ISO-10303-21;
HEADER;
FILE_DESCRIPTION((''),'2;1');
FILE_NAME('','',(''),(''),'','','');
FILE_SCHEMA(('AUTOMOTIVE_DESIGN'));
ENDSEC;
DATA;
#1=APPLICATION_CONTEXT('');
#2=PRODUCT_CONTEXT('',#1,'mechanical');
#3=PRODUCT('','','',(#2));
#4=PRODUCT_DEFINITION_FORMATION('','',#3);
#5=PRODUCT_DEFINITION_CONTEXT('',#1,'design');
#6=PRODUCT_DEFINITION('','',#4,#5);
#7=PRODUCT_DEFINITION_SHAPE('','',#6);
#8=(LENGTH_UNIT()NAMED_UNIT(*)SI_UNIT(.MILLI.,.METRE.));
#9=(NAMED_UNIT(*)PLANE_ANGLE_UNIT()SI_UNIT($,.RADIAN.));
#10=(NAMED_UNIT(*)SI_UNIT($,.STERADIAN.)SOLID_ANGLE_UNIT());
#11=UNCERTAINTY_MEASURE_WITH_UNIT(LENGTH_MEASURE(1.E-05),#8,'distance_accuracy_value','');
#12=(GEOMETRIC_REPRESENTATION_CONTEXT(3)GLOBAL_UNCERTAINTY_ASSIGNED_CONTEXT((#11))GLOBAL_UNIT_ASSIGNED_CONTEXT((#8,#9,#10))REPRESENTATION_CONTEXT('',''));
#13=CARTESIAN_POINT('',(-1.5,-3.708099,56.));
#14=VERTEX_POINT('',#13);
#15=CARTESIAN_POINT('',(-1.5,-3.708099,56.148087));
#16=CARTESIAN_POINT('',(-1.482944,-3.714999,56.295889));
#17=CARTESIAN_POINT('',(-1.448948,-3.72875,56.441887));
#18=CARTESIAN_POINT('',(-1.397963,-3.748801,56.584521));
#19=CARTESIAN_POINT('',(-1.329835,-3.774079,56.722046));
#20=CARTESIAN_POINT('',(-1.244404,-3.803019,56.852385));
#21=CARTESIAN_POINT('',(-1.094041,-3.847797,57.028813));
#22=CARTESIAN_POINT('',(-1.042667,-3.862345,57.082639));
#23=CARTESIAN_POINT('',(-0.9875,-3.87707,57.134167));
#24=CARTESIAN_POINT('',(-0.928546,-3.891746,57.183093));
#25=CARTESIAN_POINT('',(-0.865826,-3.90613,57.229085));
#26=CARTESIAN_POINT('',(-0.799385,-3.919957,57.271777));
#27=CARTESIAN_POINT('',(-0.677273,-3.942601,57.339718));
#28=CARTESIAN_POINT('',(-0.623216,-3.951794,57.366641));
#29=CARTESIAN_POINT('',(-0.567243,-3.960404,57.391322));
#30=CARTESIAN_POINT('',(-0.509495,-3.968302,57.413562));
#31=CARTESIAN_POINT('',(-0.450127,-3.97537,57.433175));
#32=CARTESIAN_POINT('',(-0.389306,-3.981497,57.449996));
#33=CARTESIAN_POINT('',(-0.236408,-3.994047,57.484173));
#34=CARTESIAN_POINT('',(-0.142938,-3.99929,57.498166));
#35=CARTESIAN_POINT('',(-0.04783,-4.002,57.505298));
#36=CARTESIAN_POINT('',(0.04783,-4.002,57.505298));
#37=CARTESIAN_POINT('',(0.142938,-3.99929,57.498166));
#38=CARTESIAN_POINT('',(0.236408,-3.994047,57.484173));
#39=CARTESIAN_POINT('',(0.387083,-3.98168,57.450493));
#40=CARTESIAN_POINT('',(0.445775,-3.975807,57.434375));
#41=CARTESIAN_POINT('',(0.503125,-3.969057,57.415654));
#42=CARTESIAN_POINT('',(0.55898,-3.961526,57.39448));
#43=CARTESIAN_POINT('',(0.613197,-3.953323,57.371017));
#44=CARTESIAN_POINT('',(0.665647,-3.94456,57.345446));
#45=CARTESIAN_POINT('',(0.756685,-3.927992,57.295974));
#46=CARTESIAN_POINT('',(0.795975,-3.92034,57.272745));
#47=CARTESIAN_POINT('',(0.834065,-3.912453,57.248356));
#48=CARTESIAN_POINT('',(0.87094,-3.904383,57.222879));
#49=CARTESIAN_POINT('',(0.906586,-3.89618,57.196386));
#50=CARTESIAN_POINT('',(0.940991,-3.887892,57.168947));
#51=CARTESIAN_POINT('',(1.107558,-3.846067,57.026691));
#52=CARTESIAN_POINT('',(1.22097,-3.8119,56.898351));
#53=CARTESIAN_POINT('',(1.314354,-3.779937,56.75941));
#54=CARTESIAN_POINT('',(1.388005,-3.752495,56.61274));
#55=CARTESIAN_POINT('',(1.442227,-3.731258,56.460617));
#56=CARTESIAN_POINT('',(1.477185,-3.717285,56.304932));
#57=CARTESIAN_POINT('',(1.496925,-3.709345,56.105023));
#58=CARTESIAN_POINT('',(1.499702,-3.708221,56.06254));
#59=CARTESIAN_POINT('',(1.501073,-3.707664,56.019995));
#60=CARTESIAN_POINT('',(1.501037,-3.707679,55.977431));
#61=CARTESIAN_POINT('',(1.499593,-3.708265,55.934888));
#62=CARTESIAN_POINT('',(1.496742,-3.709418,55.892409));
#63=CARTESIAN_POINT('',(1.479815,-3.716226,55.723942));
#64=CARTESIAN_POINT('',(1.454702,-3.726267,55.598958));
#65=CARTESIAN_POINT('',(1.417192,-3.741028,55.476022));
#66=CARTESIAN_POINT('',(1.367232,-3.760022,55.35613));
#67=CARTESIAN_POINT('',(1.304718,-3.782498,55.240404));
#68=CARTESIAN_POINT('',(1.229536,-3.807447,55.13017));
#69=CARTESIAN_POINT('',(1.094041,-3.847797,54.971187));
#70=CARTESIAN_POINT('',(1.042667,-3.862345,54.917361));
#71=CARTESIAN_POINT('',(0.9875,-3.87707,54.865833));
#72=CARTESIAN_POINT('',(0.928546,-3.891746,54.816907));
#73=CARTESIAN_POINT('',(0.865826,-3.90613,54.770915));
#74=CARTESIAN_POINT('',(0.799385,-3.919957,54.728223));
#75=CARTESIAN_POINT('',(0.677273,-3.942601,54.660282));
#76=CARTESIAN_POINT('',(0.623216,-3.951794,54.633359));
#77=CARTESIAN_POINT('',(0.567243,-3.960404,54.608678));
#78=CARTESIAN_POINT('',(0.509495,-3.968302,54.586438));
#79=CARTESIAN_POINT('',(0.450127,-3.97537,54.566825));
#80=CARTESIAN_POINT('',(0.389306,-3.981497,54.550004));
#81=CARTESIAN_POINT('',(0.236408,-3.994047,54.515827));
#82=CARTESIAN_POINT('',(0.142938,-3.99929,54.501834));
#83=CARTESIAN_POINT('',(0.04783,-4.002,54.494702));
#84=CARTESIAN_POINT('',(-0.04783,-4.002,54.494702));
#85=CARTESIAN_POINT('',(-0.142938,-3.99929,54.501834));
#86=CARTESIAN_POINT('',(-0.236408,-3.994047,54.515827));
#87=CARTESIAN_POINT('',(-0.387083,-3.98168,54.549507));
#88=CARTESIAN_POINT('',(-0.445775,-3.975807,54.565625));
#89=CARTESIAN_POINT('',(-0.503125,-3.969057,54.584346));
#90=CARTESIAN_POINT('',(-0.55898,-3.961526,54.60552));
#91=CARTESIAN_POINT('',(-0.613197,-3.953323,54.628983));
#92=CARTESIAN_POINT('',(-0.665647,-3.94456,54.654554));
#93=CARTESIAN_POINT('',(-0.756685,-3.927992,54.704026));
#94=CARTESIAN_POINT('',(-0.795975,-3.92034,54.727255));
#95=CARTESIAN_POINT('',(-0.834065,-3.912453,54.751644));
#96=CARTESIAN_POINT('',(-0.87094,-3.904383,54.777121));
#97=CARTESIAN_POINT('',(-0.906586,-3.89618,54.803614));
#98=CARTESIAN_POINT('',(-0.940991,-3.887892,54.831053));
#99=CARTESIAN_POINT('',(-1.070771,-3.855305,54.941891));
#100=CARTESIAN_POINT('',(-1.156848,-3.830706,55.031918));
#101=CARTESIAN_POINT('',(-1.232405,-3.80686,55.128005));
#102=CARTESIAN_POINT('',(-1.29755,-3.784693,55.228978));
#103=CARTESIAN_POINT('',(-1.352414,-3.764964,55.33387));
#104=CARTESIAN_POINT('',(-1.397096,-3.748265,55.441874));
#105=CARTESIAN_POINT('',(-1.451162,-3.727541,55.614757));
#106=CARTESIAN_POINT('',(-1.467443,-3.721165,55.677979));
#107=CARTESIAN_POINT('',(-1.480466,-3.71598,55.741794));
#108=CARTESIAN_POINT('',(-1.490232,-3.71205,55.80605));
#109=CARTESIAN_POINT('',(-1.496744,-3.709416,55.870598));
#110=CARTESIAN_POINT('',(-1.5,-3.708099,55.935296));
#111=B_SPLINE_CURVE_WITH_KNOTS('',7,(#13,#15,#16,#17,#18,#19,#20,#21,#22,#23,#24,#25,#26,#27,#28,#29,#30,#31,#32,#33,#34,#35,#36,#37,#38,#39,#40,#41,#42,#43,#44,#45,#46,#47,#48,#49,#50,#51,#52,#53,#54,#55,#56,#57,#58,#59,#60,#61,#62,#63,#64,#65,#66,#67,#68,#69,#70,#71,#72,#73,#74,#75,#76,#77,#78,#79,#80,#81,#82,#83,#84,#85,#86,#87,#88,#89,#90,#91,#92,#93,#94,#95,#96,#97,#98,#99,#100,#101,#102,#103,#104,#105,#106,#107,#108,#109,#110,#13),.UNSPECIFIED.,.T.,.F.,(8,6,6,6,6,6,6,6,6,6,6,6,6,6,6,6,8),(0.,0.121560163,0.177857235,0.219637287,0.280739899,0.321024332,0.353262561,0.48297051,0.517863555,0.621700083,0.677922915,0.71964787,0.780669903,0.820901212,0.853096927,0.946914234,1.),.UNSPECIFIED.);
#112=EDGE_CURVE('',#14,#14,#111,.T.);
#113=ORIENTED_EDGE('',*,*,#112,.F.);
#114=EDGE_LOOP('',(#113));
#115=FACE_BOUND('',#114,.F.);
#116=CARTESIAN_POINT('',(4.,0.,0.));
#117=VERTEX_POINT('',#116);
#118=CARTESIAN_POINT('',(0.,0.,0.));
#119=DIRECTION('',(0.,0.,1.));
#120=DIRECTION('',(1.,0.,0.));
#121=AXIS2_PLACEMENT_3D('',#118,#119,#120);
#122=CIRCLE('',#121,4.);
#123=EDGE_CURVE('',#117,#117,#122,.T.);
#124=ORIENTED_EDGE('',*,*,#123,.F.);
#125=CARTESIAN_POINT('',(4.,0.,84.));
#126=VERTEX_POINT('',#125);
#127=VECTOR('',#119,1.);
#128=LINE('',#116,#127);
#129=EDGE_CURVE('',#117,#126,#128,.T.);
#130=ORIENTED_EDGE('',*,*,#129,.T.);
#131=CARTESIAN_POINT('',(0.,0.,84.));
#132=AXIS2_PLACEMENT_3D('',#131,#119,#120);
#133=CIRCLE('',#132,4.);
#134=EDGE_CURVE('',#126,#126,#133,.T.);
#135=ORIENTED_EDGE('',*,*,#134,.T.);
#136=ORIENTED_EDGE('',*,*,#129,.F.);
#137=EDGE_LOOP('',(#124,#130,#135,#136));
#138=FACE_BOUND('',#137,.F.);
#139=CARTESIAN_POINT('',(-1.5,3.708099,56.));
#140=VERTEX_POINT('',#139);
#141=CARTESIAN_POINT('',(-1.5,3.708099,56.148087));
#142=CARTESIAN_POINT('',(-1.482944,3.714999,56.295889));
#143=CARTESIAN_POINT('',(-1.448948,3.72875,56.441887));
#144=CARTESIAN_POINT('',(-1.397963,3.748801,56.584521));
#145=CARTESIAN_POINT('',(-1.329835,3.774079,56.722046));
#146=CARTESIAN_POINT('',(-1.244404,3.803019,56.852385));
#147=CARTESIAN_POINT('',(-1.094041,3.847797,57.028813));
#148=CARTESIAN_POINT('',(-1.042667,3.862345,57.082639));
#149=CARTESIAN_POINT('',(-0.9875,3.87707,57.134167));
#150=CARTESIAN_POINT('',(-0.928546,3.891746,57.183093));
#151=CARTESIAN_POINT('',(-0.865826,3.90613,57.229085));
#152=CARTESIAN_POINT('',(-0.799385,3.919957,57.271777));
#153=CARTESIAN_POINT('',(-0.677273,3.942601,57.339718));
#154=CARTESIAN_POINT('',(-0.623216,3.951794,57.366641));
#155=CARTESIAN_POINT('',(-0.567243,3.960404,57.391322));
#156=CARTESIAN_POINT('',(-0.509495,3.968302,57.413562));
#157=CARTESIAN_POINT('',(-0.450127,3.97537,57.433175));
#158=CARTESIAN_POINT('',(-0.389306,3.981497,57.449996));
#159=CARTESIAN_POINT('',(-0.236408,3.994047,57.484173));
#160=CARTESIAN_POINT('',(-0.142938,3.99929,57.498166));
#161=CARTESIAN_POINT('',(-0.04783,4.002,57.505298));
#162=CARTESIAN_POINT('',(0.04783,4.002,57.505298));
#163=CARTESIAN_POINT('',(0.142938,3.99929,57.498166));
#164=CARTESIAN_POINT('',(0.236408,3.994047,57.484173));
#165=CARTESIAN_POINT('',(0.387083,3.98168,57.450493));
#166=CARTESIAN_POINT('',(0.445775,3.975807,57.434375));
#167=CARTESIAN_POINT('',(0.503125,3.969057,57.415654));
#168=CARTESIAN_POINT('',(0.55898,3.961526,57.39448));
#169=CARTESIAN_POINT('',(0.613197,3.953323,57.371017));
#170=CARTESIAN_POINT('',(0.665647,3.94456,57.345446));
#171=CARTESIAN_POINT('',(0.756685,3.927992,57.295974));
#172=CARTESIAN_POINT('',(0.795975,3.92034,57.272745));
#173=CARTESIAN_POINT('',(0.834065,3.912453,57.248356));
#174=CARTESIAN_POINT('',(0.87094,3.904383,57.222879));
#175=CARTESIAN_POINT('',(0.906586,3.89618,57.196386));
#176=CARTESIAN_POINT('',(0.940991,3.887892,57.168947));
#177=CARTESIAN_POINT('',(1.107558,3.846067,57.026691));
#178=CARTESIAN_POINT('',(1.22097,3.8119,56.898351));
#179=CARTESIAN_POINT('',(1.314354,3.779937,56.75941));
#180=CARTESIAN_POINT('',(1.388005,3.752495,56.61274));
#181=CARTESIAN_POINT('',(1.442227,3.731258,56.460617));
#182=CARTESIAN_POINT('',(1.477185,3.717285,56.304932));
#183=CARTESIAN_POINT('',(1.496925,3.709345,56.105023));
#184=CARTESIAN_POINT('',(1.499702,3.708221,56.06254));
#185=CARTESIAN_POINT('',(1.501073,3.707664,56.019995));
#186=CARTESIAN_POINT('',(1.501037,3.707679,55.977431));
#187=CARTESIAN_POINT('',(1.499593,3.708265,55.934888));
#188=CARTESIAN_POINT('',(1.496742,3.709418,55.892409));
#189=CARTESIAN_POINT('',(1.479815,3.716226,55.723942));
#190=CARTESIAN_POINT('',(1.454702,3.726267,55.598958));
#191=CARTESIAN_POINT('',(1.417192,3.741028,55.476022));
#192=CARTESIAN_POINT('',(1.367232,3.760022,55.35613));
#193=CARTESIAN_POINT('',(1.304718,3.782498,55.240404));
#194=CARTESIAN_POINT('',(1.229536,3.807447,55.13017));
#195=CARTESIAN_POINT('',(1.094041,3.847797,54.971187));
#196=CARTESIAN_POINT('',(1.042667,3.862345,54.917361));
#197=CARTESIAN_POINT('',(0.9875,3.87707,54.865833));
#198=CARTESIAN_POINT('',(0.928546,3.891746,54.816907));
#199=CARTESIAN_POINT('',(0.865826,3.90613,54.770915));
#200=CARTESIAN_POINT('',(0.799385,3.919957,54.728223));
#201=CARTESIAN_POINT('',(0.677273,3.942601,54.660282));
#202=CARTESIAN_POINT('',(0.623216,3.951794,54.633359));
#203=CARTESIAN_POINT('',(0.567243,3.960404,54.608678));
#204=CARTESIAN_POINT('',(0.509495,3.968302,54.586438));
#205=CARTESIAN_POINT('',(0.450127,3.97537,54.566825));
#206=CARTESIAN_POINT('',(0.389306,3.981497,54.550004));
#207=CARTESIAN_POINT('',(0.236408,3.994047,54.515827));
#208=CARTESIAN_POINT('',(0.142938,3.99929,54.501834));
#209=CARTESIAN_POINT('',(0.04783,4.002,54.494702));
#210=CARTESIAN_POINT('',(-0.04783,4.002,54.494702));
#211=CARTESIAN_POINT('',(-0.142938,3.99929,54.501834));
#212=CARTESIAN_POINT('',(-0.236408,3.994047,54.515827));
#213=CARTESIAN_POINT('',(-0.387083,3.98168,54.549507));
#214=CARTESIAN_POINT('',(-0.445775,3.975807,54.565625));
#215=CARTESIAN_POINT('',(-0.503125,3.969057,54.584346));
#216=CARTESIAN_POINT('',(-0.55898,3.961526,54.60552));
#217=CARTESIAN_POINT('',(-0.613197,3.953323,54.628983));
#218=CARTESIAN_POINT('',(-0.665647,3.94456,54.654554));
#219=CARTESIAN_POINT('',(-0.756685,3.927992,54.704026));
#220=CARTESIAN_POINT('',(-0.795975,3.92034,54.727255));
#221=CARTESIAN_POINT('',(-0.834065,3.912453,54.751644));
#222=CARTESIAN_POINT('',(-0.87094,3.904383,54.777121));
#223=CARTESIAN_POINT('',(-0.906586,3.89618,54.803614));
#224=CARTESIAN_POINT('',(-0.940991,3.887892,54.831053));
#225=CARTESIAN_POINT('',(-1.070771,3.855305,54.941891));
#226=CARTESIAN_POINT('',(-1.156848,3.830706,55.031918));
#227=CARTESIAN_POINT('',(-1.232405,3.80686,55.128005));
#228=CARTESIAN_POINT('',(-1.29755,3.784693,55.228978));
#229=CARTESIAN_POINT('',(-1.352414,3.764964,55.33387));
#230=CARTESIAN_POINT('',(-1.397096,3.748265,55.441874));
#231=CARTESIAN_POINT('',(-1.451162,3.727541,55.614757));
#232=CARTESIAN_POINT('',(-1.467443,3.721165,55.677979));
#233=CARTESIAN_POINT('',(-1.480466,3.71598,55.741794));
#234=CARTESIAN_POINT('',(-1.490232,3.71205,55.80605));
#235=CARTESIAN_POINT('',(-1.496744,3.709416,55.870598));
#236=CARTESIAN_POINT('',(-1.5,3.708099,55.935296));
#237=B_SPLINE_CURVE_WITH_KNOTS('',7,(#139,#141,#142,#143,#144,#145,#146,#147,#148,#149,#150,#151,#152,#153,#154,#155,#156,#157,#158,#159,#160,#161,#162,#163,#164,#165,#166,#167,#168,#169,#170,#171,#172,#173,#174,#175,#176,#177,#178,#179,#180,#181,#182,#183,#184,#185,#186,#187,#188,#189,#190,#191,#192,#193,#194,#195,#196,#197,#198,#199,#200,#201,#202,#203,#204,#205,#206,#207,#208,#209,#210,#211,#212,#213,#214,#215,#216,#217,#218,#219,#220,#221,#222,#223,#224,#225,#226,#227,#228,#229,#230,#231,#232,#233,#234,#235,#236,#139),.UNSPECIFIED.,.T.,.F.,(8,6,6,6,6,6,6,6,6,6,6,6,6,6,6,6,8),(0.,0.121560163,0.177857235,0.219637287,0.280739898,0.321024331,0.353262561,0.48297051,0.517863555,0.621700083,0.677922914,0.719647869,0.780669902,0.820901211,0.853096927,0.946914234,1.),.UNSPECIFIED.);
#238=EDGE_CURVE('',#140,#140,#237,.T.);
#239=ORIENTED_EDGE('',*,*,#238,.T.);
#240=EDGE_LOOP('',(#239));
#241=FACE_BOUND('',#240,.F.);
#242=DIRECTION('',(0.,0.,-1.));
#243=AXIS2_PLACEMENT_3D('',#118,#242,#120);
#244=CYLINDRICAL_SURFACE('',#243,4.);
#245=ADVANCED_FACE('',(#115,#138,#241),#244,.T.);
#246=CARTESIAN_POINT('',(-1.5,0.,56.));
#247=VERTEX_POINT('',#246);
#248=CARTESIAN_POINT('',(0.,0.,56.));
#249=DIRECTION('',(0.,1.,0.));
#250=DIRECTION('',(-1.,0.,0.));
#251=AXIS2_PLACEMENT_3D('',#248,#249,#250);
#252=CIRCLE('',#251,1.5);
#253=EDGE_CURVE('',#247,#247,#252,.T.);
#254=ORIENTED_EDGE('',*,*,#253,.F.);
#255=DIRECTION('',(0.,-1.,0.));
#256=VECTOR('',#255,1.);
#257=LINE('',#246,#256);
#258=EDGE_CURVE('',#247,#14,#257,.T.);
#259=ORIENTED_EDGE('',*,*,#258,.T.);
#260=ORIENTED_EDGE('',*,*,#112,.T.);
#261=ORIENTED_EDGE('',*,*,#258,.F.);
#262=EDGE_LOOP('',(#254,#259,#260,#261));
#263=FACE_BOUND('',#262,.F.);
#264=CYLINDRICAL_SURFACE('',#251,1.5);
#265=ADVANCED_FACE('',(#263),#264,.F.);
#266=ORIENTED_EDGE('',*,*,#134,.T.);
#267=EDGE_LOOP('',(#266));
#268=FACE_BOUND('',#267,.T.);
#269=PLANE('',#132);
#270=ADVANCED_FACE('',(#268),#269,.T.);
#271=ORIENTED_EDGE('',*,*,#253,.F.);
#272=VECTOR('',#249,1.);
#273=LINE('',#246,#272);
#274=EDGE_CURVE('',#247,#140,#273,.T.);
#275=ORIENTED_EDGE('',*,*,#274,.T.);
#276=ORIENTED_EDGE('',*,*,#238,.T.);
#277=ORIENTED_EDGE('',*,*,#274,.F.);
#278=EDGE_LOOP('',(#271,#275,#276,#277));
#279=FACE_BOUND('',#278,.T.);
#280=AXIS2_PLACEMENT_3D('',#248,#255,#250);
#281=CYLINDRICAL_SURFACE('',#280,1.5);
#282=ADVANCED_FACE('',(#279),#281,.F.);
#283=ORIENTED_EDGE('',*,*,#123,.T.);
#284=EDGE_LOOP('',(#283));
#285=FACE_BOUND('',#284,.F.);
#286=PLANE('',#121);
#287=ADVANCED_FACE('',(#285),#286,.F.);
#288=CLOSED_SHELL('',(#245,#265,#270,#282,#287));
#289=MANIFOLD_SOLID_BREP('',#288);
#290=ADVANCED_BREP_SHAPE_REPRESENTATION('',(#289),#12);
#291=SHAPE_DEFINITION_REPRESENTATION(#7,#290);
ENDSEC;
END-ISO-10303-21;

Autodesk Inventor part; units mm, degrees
ref_plane "YZ Plane" through (0, 0, 0) normal (1, 0, 0) x (0, 1, 0)
ref_plane "XZ Plane" through (0, 0, 0) normal (0, 1, 0) x (-1, 0, 0)
ref_plane "XY Plane" through (0, 0, 0) normal (0, 0, 1) x (1, 0, 0)
sketch "Sketch1" plane through (0, 0, 0) normal (0, 0, 1) x (1, 0, 0)
  circle A0 centre (0, 0) radius 4
  dimension "d0" = 8
extrude "Extrusion1" add sketch "Sketch1" along normal blind 84
sketch "Sketch2" plane through (0, 0, 0) normal (0, 1, 0) x (-1, 0, 0)
  circle A0 centre (0, 56) radius 1.5
  line L0 (4, 84) -> (-4, 84) projected
  line L1 (-4, 0) -> (4, 0) projected
  point P0 (0, 0)
  dimension "d3" = 3
  dimension "d7" = 56
extrude "Extrusion2" cut sketch "Sketch2" along normal mid plane 100
properties part number "axle"
